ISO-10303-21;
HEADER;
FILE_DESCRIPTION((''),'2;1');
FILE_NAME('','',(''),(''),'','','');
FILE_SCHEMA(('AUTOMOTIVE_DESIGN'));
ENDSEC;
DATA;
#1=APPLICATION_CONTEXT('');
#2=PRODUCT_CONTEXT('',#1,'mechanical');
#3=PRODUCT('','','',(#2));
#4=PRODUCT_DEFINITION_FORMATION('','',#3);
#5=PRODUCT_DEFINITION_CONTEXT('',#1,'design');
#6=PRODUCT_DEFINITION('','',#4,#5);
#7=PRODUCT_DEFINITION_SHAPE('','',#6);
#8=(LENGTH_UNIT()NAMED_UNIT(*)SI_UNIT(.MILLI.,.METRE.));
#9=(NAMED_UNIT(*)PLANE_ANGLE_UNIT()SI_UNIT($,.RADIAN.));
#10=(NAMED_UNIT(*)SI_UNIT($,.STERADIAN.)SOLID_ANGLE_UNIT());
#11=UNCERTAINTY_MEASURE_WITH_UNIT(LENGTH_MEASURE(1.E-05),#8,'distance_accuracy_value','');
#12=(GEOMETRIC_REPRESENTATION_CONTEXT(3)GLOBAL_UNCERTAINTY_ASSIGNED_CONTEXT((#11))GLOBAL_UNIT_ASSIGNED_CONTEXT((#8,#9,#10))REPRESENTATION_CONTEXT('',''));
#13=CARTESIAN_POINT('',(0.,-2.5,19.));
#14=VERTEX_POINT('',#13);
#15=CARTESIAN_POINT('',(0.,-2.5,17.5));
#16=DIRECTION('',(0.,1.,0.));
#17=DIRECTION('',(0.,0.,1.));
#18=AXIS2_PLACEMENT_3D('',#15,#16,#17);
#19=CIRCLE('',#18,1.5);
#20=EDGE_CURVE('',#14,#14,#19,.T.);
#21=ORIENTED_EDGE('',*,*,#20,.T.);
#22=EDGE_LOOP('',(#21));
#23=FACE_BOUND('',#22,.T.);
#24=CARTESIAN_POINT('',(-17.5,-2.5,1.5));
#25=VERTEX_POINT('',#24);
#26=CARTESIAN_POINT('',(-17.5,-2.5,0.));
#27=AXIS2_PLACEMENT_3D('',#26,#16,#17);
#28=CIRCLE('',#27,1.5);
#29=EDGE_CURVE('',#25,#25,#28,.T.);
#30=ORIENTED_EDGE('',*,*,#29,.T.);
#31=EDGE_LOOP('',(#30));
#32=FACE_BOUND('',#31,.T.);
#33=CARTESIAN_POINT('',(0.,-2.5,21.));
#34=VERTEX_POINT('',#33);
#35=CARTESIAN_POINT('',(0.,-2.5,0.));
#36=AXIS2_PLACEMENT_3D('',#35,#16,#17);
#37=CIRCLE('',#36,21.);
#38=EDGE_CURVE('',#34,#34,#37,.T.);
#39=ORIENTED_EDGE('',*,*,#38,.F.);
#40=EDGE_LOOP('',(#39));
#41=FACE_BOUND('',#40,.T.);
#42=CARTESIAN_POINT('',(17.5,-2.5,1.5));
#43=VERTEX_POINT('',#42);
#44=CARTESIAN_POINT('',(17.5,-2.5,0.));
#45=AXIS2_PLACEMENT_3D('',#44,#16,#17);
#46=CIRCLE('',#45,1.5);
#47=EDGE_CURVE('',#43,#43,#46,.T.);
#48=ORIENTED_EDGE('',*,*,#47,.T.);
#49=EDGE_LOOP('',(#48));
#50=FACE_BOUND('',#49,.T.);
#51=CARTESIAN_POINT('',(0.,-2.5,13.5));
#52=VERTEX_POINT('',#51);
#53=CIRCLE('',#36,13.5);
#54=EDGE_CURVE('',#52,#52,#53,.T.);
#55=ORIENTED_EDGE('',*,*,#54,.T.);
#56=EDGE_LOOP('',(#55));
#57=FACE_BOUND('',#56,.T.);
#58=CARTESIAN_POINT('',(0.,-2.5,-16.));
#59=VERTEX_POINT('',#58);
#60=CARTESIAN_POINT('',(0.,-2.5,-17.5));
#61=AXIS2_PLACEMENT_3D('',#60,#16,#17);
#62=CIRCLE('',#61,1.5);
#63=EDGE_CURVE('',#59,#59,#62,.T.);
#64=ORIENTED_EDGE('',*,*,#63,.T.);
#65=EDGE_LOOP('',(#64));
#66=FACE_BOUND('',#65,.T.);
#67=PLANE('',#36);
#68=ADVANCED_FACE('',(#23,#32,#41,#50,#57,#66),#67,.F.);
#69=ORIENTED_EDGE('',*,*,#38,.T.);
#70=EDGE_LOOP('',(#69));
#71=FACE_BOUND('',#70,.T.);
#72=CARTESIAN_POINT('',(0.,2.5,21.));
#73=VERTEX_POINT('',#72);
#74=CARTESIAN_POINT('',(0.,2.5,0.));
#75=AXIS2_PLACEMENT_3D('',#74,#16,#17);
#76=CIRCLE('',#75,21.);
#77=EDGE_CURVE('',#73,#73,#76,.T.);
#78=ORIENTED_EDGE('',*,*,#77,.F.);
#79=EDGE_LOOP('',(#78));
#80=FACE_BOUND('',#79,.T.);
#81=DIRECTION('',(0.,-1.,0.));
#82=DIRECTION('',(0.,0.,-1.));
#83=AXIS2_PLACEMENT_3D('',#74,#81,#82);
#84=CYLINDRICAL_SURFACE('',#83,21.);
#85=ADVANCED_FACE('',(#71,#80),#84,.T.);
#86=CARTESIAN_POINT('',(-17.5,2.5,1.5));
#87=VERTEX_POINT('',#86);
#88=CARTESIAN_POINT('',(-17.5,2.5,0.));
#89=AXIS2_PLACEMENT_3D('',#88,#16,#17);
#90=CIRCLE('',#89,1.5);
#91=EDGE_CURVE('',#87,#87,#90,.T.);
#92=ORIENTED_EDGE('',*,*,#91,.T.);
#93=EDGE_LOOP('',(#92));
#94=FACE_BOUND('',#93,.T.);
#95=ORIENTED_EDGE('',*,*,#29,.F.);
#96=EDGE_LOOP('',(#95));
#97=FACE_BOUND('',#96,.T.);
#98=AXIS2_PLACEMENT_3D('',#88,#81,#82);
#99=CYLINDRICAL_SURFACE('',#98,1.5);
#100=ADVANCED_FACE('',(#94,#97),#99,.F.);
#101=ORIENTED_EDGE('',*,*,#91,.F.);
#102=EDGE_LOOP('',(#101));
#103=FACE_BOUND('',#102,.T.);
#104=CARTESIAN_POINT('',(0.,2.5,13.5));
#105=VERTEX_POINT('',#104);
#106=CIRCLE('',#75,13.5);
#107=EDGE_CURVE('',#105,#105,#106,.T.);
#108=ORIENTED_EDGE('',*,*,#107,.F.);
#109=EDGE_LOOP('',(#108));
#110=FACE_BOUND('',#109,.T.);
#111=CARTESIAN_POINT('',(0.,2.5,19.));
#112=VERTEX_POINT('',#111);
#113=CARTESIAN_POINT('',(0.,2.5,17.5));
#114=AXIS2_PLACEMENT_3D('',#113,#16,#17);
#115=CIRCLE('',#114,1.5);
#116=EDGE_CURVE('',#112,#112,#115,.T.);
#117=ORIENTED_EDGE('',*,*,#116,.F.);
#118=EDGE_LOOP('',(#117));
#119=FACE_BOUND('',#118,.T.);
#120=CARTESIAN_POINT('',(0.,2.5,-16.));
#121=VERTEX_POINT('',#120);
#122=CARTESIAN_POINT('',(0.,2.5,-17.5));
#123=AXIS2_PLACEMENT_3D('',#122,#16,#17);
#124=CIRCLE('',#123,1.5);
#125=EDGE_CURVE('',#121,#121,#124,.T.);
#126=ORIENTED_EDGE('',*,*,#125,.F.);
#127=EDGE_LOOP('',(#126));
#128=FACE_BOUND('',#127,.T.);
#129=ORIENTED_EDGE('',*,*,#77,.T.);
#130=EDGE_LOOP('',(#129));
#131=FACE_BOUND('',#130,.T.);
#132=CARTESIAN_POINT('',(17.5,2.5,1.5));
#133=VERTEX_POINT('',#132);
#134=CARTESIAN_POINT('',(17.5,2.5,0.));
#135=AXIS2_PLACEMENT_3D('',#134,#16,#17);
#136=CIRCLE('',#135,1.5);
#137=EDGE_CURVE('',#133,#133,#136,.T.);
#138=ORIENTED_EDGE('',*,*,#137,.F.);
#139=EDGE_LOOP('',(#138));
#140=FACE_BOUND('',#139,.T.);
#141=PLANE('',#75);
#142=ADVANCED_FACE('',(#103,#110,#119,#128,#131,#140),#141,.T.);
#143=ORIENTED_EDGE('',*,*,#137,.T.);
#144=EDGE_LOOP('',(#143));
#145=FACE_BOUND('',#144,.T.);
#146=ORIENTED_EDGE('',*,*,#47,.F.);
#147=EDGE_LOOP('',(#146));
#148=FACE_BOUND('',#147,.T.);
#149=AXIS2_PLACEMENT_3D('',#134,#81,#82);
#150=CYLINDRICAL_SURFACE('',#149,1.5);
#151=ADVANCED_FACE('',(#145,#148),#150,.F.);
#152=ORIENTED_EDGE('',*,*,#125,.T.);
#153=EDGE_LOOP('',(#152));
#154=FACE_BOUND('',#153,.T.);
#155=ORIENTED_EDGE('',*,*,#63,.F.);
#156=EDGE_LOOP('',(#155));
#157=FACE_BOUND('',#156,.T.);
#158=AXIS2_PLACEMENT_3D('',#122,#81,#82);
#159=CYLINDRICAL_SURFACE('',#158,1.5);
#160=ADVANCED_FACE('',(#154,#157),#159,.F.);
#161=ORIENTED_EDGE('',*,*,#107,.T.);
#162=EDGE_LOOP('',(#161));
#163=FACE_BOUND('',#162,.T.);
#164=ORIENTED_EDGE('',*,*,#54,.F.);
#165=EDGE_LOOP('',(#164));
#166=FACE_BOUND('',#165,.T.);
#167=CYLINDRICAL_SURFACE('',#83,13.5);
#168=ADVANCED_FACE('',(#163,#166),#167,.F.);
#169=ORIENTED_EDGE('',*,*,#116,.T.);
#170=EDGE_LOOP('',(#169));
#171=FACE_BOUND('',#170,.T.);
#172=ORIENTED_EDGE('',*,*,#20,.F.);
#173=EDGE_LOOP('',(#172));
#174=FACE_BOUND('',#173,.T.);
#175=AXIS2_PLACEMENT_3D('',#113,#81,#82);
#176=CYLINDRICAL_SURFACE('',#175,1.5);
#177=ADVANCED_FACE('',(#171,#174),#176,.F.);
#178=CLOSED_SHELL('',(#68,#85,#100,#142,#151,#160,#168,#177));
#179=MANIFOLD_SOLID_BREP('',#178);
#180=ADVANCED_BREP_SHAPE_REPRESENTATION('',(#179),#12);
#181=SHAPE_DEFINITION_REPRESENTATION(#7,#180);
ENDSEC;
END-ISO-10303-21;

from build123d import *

# Parameters (mm, degrees)
SKETCH_1_R      = 21
SKETCH_1_R_2    = 13.5
SKETCH_1_R_3    = 1.5
EXTRUDE_1_DEPTH = 2.5


with BuildPart() as part:
    # 草图1 → 凸台-拉伸1 (new, symmetric)
    with BuildSketch(Plane(origin=(0, 0, 0), x_dir=(1, 0, 0), z_dir=(0, 1, 0))):
        with Locations(Location((0, 0, 0), (0, 0, 270))):
            Circle(SKETCH_1_R)
        with Locations(Location((0, 0, 0), (0, 0, 270))):
            Circle(SKETCH_1_R_2, mode=Mode.SUBTRACT)
        with Locations(Location((0, 17.5, 0), (0, 0, 270))):
            Circle(SKETCH_1_R_3, mode=Mode.SUBTRACT)
        with Locations(Location((17.5, 0, 0), (0, 0, 270))):
            Circle(SKETCH_1_R_3, mode=Mode.SUBTRACT)
        with Locations(Location((0, -17.5, 0), (0, 0, 270))):
            Circle(SKETCH_1_R_3, mode=Mode.SUBTRACT)
        with Locations(Location((-17.5, 0, 0), (0, 0, 270))):
            Circle(SKETCH_1_R_3, mode=Mode.SUBTRACT)
    extrude(amount=EXTRUDE_1_DEPTH, both=True)


solid = part.part
